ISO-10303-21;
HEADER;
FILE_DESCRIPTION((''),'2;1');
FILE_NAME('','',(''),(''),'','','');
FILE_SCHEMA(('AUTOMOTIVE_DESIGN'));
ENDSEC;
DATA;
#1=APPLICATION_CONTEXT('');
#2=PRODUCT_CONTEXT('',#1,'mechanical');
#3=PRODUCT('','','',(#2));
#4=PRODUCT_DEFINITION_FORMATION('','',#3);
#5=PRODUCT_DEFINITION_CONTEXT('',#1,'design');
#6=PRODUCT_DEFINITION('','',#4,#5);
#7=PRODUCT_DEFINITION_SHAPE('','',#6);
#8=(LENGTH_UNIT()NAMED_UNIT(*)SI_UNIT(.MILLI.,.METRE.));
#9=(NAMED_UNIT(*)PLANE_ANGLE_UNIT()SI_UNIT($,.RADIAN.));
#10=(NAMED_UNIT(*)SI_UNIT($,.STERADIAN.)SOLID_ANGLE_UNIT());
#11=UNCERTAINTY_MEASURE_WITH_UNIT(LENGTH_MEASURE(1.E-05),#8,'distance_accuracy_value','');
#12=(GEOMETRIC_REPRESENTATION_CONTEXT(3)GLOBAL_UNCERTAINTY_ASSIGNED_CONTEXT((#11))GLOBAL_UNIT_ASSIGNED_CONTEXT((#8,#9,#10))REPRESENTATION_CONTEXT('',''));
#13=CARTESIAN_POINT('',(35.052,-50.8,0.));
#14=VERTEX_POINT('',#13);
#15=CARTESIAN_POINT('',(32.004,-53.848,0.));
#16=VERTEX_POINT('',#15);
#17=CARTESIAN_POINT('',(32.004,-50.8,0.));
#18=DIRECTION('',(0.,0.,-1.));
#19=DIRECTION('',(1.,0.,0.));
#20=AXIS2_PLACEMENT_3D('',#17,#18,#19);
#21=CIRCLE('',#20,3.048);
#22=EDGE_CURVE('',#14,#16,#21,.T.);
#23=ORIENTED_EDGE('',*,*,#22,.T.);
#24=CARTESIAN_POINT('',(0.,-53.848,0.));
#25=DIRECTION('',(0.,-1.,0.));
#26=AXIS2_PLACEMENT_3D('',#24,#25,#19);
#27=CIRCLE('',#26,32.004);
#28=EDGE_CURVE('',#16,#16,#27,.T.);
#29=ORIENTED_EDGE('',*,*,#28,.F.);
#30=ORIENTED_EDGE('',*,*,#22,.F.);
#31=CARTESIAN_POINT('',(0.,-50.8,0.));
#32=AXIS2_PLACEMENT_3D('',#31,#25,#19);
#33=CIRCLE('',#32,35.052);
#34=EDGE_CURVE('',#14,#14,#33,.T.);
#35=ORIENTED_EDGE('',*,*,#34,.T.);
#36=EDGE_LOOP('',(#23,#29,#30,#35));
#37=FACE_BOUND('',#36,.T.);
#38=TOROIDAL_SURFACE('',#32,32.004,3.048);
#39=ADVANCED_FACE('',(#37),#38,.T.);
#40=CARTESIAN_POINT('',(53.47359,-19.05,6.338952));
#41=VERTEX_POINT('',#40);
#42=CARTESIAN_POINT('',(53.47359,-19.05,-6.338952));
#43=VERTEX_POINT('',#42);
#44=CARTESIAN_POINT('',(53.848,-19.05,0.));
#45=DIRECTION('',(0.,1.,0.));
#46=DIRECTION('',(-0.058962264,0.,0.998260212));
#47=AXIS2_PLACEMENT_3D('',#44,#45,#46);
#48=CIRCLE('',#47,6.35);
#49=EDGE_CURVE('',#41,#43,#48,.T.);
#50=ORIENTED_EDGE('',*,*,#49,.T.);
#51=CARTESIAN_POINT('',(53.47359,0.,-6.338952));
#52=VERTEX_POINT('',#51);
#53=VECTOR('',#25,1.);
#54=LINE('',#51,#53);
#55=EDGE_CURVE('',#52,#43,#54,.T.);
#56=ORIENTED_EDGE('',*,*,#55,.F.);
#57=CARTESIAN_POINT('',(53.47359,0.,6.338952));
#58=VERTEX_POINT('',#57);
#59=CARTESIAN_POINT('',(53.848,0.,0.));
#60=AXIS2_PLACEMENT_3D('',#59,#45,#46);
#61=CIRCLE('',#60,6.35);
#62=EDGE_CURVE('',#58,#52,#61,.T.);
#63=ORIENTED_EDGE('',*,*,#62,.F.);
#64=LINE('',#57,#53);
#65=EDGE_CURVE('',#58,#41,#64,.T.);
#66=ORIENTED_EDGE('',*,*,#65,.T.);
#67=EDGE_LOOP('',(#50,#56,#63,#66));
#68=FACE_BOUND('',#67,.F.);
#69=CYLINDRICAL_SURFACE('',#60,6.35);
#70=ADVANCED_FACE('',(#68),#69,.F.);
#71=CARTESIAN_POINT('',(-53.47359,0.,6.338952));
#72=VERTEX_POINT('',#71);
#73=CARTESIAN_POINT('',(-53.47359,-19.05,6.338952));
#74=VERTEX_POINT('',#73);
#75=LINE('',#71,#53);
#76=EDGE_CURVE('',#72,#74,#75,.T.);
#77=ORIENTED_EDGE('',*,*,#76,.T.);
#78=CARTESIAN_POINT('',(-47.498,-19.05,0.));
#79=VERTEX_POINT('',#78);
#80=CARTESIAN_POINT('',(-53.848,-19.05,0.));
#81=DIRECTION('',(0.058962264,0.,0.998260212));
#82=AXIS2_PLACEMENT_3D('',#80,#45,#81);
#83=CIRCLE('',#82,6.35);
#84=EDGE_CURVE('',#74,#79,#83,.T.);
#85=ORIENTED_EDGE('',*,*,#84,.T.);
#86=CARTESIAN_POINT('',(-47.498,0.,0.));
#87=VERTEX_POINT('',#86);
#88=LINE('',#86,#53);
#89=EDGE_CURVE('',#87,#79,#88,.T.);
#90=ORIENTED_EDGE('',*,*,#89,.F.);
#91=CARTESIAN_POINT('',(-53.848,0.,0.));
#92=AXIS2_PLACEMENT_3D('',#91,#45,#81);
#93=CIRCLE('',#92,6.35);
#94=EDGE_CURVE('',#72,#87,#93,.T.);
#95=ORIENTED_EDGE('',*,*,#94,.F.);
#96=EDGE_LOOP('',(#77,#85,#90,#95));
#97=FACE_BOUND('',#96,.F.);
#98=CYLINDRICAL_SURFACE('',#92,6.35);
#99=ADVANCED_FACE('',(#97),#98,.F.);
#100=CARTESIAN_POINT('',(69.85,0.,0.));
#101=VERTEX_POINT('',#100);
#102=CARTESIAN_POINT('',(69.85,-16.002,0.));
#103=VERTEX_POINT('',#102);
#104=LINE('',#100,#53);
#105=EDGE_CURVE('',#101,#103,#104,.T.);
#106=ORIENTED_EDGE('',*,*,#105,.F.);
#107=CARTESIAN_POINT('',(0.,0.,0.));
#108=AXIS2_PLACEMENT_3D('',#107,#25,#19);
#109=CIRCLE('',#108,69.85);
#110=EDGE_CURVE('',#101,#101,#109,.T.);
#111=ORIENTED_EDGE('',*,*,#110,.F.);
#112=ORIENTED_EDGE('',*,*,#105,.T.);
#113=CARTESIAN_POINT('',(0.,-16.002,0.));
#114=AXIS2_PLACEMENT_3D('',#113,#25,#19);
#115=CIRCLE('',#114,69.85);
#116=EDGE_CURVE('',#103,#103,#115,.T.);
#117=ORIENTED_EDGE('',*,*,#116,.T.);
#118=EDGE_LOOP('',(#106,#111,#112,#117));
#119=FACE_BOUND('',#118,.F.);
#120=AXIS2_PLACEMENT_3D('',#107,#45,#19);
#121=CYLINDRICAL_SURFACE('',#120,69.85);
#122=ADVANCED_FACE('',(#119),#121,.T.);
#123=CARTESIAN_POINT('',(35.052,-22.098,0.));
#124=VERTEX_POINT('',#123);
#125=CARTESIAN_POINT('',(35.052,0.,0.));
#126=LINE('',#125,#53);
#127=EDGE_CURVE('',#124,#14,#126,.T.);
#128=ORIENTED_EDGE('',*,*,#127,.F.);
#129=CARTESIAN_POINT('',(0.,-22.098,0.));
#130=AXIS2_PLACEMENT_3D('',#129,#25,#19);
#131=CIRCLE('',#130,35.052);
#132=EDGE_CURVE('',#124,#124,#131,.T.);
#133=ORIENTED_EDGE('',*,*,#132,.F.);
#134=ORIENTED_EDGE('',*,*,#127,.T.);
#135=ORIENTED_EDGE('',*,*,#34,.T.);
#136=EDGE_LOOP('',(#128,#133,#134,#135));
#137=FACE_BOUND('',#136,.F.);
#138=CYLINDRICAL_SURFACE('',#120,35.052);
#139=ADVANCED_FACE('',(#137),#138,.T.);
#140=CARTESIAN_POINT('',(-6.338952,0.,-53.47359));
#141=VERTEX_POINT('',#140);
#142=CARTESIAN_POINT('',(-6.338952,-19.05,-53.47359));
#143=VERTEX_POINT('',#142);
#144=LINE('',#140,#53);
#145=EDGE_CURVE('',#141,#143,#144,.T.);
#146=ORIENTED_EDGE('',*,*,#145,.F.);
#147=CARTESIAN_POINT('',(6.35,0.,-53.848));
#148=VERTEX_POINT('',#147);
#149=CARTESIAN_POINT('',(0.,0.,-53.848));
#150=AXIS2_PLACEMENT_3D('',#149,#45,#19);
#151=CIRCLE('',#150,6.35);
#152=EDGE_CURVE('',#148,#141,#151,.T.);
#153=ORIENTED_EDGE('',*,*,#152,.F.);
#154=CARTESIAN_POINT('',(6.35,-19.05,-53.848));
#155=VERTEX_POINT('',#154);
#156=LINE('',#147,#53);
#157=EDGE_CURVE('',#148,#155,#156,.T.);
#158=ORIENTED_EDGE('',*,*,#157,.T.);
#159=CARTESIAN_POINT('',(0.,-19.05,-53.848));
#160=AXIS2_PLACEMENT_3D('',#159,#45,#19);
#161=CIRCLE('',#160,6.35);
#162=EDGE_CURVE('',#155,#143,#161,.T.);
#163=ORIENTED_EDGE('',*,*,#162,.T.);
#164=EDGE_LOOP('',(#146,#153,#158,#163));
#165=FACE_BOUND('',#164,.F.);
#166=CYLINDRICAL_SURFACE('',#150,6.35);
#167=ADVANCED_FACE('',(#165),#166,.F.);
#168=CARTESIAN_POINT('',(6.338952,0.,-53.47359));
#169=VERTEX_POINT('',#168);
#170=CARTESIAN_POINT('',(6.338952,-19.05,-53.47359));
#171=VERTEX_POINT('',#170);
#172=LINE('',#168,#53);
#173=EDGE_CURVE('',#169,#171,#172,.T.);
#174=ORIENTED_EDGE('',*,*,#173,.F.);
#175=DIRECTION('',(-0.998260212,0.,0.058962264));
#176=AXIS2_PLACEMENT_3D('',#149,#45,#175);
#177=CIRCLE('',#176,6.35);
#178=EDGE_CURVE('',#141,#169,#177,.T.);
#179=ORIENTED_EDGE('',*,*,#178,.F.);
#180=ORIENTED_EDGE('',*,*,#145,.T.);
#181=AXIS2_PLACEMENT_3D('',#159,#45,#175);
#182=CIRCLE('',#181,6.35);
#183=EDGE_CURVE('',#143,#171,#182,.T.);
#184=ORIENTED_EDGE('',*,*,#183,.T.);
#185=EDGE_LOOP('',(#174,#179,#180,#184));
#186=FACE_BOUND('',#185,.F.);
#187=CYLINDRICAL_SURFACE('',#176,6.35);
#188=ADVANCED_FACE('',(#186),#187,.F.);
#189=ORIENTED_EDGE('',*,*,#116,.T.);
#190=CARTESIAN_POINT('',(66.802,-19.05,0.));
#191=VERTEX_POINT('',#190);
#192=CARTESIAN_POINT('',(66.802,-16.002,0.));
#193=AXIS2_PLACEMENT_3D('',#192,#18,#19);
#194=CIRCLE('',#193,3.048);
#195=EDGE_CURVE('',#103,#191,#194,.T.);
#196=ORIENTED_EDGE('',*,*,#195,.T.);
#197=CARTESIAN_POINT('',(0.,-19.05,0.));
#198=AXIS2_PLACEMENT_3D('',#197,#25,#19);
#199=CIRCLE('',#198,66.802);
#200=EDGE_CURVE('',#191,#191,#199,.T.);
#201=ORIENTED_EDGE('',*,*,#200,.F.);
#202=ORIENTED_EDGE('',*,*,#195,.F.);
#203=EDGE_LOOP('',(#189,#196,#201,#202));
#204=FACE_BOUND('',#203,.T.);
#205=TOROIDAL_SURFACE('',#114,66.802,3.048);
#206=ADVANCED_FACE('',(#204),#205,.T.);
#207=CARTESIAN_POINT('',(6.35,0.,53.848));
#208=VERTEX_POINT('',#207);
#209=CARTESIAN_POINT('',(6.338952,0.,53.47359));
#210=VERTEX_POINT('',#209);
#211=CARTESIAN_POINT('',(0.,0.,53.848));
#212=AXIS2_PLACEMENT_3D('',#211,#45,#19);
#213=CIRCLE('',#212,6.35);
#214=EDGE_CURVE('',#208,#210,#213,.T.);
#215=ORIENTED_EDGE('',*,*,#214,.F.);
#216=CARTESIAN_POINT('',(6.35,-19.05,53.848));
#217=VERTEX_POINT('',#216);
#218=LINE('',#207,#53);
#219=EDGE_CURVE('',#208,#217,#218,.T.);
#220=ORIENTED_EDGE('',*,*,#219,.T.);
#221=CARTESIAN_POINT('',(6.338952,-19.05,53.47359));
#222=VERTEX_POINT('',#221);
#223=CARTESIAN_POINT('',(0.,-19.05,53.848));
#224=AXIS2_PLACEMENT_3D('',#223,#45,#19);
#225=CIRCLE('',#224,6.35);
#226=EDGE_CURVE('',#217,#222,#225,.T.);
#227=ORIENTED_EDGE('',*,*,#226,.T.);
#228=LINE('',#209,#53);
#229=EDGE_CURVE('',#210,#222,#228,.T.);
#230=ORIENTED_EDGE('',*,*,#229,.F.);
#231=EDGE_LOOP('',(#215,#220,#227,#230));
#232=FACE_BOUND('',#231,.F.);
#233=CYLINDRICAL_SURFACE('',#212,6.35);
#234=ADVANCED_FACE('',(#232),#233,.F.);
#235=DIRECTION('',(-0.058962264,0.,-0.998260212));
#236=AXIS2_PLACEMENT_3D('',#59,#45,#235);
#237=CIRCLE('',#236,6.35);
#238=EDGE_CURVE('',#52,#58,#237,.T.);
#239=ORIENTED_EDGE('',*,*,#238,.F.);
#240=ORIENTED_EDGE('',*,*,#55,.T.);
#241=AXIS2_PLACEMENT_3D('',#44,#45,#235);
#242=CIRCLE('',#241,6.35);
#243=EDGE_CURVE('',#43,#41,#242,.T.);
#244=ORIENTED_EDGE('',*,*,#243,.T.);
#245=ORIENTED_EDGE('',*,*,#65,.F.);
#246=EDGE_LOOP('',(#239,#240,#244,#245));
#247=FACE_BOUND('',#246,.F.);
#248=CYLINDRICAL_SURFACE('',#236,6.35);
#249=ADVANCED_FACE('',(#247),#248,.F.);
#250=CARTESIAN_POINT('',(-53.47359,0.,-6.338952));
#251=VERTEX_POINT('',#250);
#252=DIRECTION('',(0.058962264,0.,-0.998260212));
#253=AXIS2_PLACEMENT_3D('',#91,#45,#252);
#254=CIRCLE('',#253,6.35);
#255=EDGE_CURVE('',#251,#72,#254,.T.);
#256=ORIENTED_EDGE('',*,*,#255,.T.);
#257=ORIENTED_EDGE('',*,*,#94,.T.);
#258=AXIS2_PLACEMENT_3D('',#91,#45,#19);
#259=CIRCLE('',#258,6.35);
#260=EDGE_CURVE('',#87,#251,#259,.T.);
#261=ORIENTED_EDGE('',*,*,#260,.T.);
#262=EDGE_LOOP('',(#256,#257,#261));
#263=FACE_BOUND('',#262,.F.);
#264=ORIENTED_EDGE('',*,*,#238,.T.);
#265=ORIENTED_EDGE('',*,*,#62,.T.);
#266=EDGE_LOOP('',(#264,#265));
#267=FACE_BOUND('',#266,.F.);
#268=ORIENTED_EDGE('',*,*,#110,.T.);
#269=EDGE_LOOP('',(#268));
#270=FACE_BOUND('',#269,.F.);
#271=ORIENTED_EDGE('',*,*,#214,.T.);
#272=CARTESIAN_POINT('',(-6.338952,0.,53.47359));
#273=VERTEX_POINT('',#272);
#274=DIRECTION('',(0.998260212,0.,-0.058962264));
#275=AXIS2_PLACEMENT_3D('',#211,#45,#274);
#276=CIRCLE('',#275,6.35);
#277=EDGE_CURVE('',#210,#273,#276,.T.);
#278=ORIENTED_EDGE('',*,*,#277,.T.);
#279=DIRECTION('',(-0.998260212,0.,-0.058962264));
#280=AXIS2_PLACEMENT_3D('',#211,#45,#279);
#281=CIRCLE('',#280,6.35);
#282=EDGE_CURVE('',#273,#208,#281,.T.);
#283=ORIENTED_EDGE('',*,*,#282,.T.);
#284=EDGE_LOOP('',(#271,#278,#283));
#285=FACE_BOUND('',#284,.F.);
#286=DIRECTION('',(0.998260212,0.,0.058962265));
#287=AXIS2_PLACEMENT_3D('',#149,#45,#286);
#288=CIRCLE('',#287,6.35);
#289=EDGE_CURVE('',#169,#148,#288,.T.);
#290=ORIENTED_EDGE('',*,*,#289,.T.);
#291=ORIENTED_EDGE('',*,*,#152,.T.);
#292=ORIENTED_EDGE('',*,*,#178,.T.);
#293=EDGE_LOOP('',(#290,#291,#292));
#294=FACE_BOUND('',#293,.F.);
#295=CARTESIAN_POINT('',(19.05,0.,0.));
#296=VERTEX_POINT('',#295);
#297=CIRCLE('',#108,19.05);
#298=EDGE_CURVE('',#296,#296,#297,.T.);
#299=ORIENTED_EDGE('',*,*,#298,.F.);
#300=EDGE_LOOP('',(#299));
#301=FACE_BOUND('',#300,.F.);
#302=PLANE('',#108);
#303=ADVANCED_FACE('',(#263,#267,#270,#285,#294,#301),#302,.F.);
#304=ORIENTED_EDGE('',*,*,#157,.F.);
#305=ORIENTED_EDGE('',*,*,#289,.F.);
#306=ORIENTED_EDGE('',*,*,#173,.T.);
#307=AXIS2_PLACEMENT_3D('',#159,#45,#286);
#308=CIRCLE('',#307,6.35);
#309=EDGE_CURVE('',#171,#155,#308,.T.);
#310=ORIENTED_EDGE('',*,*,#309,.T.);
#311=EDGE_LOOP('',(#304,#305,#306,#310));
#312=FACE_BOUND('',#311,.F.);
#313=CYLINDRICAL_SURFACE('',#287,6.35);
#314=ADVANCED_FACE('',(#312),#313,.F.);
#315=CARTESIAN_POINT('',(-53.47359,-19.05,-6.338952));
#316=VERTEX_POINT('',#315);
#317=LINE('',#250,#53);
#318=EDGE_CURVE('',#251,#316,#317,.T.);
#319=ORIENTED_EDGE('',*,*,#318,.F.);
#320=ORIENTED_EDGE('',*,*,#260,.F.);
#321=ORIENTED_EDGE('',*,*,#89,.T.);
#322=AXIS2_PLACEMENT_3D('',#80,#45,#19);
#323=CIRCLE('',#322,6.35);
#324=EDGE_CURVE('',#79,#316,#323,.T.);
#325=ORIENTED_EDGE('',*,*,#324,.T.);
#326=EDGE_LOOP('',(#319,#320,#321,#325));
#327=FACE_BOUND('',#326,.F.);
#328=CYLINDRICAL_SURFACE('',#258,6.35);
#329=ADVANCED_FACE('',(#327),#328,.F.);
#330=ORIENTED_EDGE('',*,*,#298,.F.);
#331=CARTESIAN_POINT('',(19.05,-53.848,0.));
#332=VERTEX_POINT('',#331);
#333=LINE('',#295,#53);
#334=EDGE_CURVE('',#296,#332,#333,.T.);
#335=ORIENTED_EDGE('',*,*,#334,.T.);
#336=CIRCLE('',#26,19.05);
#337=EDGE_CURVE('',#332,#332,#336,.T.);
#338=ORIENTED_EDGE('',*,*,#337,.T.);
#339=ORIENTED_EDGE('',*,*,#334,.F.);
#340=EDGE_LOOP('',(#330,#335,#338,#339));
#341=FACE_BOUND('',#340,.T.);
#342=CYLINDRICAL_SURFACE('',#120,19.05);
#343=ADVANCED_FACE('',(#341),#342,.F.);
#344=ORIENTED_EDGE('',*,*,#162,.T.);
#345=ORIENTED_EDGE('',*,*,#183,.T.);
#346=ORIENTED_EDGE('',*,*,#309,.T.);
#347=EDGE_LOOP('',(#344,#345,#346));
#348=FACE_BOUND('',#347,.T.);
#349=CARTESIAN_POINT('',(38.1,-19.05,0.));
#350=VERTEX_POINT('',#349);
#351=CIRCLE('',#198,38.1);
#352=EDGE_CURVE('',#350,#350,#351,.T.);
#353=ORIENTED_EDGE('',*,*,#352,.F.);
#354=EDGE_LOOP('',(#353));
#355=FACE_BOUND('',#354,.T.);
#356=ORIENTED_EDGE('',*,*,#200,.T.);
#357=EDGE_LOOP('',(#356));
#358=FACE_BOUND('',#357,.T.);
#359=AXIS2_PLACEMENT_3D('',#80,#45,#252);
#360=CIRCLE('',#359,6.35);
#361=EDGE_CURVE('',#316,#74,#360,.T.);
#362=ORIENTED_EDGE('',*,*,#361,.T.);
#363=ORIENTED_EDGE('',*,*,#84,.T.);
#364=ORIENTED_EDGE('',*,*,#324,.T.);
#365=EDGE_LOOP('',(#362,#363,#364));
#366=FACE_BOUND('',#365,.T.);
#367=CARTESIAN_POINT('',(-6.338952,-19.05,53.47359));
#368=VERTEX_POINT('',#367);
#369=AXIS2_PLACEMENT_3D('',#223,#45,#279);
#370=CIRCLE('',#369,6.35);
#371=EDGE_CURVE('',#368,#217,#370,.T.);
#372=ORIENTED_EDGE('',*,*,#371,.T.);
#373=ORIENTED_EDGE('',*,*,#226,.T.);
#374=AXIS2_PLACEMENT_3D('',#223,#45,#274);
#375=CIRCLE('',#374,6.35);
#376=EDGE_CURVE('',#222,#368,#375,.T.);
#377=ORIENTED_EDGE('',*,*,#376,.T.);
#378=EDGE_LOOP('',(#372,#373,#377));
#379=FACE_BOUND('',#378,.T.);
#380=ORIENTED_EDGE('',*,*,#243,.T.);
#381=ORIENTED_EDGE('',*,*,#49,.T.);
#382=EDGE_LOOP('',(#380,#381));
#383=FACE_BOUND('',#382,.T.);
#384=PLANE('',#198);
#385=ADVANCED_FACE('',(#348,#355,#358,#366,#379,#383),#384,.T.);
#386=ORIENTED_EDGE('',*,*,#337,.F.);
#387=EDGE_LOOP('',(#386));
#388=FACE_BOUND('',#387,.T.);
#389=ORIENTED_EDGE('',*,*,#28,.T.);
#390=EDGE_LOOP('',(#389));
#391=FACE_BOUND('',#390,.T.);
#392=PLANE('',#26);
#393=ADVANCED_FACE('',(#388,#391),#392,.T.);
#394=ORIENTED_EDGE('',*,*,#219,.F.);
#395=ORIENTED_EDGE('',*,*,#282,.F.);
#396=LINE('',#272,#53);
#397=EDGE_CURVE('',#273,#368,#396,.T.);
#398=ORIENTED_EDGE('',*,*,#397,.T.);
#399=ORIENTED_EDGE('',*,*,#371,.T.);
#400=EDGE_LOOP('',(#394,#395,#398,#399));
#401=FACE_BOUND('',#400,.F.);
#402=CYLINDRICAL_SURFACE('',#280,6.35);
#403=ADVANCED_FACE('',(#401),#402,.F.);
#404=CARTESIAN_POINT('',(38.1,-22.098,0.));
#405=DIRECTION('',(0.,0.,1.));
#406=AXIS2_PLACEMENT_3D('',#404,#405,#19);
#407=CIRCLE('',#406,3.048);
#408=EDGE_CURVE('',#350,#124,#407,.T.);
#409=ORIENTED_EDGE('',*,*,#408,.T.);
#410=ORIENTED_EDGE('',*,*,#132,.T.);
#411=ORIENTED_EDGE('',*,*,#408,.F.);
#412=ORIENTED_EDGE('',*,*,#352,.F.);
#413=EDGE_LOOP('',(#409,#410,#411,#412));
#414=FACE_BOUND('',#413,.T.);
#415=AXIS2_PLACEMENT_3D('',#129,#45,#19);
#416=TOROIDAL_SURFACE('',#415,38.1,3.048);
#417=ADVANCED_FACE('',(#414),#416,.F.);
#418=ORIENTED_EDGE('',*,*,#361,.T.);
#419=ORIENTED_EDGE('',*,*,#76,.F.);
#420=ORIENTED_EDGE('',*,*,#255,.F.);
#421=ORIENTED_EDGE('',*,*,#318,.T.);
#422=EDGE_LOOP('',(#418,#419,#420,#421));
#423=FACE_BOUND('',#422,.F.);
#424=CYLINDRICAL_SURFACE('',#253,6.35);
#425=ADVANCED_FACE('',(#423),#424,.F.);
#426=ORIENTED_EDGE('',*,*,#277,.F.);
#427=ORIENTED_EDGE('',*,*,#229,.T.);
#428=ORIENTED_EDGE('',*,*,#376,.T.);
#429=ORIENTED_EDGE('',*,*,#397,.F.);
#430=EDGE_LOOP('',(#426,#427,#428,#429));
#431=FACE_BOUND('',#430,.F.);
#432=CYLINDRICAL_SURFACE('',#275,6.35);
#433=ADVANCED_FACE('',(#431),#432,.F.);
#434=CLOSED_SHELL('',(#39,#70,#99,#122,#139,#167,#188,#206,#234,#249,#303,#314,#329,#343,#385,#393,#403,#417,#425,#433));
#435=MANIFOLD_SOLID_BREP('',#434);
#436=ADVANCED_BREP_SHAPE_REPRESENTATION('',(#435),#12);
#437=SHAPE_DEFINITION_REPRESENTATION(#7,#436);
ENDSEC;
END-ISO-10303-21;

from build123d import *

# Parameters (mm, degrees)
F0_R     = 35.052
F0_R_2   = 19.05
F1_DEPTH = 53.848
F0_R_3   = 69.85
F2_DEPTH = 19.05
F3_R     = 3.048


with BuildPart() as f1:
    # F0 (on Front) → F1 (new body)
    with BuildSketch(Plane.XZ):
        Circle(F0_R)
        Circle(F0_R_2, mode=Mode.SUBTRACT)
    extrude(amount=F1_DEPTH)

    # F0 (on Front) → F2 (join)
    with BuildSketch(Plane.XZ):
        Circle(F0_R_3)
        with BuildLine():
            ThreePointArc((6.3389523479, 53.4735896226), (38.0762859533, 38.0762859533), (53.4735896226, 6.3389523479))
            ThreePointArc((53.4735896226, 6.3389523479), (58.2037429965, 4.6206063399), (60.198, 0))
            ThreePointArc((60.198, 0), (58.2037429965, -4.6206063399), (53.4735896226, -6.3389523479))
            ThreePointArc((53.4735896226, -6.3389523479), (38.0762859533, -38.0762859533), (6.3389523479, -53.4735896226))
            ThreePointArc((6.3389523479, -53.4735896226), (6.3472374861, -53.6607133338), (6.35, -53.848))
            ThreePointArc((6.35, -53.848), (-0.1872866662, -60.1952374861), (-6.3389523479, -53.4735896226))
            ThreePointArc((-6.3389523479, -53.4735896226), (-38.0762859533, -38.0762859533), (-53.4735896226, -6.3389523479))
            ThreePointArc((-53.4735896226, -6.3389523479), (-60.198, 0), (-53.4735896226, 6.3389523479))
            ThreePointArc((-53.4735896226, 6.3389523479), (-38.0762859533, 38.0762859533), (-6.3389523479, 53.4735896226))
            ThreePointArc((-6.3389523479, 53.4735896226), (-0.1872866662, 60.1952374861), (6.35, 53.848))
            ThreePointArc((6.35, 53.848), (6.3472374861, 53.6607133338), (6.3389523479, 53.4735896226))
        make_face(mode=Mode.SUBTRACT)
        with BuildLine():
            ThreePointArc((53.4735896226, -6.3389523479), (47.498, 0), (53.4735896226, 6.3389523479))
            ThreePointArc((53.4735896226, 6.3389523479), (38.0762859533, 38.0762859533), (6.3389523479, 53.4735896226))
            ThreePointArc((6.3389523479, 53.4735896226), (0, 47.498), (-6.3389523479, 53.4735896226))
            ThreePointArc((-6.3389523479, 53.4735896226), (-38.0762859533, 38.0762859533), (-53.4735896226, 6.3389523479))
            ThreePointArc((-53.4735896226, 6.3389523479), (-49.2273936601, 4.3557429965), (-47.498, 0))
            ThreePointArc((-47.498, 0), (-49.2273936601, -4.3557429965), (-53.4735896226, -6.3389523479))
            ThreePointArc((-53.4735896226, -6.3389523479), (-38.0762859533, -38.0762859533), (-6.3389523479, -53.4735896226))
            ThreePointArc((-6.3389523479, -53.4735896226), (0, -47.498), (6.3389523479, -53.4735896226))
            ThreePointArc((6.3389523479, -53.4735896226), (38.0762859533, -38.0762859533), (53.4735896226, -6.3389523479))
        make_face()
        Circle(F0_R, mode=Mode.SUBTRACT)
    extrude(amount=F2_DEPTH)

    # F3
    f3_edges = [f1.edges().sort_by_distance(p)[0] for p in [
        (-35.052, -53.848, 0),
        (-35.052, -19.05, 0),
        (-69.85, -19.05, 0),
    ]]
    fillet(f3_edges, radius=F3_R)


solid = f1.part
